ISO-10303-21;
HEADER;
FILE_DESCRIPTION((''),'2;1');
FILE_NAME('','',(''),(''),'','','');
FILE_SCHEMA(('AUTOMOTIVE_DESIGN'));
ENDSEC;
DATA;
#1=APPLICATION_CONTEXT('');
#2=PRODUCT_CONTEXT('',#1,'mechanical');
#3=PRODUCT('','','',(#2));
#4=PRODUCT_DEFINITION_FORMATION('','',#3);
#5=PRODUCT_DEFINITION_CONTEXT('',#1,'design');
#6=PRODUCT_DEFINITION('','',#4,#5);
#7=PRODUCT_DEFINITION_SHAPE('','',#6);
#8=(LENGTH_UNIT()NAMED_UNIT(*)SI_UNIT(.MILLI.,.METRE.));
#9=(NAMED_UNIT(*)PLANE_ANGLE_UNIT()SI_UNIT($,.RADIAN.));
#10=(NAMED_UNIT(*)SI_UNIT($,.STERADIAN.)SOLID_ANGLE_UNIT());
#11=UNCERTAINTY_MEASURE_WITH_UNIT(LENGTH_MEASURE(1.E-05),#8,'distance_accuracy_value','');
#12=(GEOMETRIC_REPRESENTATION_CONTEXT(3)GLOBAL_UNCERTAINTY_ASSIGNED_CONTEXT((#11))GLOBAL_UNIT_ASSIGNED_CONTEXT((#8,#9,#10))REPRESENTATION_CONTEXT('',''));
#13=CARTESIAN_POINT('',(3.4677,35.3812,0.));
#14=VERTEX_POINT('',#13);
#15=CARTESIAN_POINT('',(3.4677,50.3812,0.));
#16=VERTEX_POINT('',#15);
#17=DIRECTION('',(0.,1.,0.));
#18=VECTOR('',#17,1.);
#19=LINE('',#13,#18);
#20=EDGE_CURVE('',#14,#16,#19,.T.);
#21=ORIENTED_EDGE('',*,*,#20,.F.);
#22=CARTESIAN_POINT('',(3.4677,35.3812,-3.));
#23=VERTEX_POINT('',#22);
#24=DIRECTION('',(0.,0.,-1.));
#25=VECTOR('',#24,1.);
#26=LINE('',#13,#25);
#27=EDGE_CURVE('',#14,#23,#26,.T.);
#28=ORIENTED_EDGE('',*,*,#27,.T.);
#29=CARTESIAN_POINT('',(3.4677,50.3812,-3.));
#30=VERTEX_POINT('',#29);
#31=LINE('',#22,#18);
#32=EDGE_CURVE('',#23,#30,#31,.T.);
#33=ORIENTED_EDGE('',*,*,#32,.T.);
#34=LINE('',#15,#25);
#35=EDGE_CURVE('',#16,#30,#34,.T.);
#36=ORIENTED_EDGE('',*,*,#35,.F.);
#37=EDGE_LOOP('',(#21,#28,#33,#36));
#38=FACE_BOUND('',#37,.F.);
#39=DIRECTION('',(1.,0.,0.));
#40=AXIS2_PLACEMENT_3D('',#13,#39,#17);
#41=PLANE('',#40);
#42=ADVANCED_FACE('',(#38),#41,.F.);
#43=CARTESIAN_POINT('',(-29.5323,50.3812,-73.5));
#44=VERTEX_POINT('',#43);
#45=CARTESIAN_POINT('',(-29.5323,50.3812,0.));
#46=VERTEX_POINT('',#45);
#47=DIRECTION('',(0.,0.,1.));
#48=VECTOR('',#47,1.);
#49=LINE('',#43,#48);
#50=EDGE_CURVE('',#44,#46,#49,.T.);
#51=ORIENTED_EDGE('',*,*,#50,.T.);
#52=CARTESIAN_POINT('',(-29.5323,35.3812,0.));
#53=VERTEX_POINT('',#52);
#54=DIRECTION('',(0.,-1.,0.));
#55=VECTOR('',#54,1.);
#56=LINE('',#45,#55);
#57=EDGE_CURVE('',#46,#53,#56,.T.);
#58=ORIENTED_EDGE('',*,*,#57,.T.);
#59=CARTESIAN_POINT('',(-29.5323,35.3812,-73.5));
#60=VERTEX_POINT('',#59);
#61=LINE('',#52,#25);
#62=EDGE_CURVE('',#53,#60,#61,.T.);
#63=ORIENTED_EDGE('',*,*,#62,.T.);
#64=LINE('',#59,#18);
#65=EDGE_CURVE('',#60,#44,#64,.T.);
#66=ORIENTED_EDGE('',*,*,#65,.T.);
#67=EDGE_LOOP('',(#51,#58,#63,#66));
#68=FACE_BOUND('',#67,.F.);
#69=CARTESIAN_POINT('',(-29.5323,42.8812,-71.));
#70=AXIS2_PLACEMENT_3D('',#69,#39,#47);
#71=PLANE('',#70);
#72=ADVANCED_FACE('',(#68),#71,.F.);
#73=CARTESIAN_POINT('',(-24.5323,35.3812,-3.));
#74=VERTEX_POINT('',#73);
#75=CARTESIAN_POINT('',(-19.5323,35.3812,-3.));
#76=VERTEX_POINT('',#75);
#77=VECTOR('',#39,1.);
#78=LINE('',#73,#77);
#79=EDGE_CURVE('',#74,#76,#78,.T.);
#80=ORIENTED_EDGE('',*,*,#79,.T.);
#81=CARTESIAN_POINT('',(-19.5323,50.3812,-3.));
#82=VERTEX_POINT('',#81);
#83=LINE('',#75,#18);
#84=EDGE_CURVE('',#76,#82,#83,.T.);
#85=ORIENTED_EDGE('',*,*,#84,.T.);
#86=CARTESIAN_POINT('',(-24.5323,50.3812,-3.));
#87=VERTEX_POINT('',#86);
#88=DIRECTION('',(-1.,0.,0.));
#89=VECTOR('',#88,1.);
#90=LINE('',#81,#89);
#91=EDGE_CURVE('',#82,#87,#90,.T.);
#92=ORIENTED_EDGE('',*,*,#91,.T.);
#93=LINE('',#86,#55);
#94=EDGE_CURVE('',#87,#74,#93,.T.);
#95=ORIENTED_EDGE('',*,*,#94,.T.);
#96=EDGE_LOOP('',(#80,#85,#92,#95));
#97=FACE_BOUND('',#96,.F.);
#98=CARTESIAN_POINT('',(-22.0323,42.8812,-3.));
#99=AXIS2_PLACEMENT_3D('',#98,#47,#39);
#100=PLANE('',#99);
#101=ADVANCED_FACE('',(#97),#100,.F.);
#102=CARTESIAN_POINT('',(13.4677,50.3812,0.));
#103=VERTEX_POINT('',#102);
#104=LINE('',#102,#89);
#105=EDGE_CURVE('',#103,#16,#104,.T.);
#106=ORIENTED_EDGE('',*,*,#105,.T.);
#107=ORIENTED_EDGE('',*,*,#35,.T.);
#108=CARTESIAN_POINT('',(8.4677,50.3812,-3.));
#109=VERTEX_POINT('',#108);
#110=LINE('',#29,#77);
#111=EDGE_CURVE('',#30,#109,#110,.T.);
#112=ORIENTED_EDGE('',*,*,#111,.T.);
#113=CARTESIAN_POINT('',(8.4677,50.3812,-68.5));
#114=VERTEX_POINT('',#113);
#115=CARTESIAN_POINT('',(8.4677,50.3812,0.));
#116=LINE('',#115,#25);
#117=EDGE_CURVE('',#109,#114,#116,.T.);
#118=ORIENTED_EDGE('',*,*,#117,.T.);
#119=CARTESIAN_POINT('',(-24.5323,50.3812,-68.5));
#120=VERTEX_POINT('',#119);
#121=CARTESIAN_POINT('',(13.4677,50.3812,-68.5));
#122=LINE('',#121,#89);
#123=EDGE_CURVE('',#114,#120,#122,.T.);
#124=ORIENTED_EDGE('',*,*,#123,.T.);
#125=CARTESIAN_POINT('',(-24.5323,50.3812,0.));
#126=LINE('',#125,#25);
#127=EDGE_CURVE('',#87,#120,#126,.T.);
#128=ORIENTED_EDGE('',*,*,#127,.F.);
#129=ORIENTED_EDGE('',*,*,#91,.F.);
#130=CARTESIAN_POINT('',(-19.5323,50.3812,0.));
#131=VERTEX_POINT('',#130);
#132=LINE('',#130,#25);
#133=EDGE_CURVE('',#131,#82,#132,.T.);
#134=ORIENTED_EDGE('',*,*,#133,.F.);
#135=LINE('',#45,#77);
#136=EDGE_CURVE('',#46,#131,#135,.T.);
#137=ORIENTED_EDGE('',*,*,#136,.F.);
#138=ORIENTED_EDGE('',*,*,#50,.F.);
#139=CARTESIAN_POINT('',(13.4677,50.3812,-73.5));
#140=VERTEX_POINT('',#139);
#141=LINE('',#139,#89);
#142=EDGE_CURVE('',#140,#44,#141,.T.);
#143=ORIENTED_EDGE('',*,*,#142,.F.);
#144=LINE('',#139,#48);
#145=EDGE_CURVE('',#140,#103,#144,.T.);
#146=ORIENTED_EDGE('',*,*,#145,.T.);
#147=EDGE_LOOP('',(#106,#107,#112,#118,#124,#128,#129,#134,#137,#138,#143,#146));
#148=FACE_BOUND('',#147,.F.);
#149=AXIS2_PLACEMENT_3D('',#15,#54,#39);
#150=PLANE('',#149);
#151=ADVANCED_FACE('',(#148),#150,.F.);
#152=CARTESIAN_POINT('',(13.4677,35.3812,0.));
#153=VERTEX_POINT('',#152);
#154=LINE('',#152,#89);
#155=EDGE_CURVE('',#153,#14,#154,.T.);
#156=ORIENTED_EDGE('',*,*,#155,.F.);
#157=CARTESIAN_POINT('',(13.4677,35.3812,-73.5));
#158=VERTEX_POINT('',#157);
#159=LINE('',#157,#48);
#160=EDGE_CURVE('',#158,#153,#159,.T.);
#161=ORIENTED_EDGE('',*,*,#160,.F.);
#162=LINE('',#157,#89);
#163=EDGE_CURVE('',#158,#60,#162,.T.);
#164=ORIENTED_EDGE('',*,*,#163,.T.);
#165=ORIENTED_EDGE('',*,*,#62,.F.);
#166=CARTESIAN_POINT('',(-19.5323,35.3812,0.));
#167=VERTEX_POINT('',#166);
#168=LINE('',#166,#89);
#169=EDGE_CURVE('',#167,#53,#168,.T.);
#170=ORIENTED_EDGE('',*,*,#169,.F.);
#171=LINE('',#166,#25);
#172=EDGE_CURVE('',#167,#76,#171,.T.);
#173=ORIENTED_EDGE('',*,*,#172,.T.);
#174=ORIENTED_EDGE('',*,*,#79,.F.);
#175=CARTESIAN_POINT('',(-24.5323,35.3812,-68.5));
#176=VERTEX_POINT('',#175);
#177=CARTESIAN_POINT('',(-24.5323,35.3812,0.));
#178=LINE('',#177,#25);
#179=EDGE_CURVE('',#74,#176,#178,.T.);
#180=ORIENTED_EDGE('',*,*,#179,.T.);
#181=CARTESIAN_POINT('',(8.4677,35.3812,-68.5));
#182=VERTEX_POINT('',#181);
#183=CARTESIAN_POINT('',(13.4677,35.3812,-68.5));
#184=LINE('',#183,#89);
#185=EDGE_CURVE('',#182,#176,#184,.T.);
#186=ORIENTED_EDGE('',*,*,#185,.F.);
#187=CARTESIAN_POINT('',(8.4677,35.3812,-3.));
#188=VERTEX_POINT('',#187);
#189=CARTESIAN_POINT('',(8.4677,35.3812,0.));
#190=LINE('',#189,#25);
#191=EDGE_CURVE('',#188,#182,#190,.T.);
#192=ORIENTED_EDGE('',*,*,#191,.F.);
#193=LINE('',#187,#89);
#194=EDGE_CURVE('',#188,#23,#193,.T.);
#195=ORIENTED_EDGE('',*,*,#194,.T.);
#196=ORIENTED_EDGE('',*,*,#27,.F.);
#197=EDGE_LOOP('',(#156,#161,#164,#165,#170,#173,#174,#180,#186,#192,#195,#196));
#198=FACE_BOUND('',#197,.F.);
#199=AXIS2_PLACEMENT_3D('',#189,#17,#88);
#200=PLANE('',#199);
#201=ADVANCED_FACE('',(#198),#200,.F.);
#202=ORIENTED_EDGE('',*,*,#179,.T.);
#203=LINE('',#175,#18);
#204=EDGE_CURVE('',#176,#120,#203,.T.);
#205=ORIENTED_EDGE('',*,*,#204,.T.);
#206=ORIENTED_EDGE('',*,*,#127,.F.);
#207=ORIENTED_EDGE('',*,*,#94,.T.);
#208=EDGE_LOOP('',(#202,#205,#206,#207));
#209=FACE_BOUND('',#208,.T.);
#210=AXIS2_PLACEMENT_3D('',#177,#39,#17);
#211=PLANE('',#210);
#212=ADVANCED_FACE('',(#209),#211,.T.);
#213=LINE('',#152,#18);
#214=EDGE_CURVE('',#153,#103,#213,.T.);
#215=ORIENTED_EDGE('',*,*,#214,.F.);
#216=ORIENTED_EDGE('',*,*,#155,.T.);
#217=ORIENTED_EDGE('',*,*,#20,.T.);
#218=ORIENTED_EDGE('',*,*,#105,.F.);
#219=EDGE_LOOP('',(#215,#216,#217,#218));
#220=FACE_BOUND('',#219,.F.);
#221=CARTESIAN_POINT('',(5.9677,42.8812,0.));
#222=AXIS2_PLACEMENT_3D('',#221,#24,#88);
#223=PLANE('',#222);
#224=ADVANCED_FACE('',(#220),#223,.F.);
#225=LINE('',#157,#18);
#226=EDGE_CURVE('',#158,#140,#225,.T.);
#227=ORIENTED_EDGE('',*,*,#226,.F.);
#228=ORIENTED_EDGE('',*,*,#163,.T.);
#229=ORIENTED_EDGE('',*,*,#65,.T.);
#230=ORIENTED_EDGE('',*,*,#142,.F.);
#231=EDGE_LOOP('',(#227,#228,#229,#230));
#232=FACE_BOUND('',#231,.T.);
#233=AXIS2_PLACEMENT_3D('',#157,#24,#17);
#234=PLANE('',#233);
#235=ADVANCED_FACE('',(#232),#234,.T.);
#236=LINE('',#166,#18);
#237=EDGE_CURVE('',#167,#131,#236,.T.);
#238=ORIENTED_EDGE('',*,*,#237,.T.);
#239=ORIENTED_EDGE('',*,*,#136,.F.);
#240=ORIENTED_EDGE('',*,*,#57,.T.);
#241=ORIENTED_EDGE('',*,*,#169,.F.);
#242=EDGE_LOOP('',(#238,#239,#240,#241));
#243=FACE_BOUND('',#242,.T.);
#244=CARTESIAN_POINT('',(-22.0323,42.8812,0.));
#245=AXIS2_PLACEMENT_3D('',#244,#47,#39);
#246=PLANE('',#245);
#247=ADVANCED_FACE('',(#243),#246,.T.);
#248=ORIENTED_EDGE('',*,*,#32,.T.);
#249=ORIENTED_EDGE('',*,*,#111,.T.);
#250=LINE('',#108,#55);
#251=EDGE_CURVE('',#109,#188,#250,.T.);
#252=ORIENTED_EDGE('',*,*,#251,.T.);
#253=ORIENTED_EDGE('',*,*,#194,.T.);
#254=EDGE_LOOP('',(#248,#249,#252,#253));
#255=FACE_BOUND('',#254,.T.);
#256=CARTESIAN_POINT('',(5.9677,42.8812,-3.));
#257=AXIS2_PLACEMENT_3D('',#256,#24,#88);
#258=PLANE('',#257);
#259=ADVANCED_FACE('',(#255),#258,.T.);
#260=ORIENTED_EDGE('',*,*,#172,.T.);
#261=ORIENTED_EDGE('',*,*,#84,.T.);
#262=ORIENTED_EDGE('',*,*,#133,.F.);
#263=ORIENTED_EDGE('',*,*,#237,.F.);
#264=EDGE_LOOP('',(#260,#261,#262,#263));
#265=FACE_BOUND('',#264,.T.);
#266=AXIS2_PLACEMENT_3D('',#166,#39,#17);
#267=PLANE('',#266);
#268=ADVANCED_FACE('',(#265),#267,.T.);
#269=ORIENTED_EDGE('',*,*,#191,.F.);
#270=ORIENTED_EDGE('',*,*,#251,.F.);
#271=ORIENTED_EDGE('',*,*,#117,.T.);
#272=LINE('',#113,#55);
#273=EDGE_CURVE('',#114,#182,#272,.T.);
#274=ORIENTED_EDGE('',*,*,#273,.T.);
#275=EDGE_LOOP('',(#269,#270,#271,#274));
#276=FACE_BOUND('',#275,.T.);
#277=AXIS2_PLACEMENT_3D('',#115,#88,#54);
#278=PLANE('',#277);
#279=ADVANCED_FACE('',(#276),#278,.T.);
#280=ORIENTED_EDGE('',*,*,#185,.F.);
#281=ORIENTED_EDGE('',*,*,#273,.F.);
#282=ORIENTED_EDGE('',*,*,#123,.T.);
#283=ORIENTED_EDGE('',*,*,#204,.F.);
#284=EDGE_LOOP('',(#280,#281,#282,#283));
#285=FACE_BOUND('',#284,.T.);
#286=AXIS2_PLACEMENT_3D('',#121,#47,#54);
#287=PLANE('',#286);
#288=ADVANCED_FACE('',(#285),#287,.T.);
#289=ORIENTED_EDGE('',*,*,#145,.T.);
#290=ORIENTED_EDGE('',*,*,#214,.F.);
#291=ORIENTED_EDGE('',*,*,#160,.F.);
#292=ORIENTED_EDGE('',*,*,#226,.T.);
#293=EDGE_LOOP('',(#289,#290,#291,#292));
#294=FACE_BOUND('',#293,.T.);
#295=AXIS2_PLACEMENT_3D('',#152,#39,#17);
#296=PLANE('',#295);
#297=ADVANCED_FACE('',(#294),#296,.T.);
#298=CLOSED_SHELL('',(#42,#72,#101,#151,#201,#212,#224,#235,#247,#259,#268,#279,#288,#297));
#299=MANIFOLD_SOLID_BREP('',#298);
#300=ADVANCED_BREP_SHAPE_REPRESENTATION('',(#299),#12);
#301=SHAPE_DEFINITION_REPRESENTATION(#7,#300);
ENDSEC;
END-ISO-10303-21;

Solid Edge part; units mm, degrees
sketch "Sketch1" plane through (0, 0, 0) normal (0, 0, 1) x (1, 0, 0)
  line L0 (-19.5323, 35.3812) -> (-19.5323, 50.3812)
  line L1 (-19.5323, 50.3812) -> (-24.5323, 50.3812)
  line L2 (-24.5323, 50.3812) -> (-24.5323, 35.3812)
  line L3 (-24.5323, 35.3812) -> (-19.5323, 35.3812)
  line L4 (8.4677, 50.3812) -> (8.4677, 35.3812)
  line L5 (8.4677, 35.3812) -> (3.4677, 35.3812)
  line L6 (3.4677, 35.3812) -> (3.4677, 50.3812)
  line L7 (3.4677, 50.3812) -> (8.4677, 50.3812)
  dimension "D1" = 33
  dimension "D2" = 15
extrude "Protrusion1" add sketch "Sketch1" against normal blind 3
sketch "Sketch2" plane through (0, 0, 0) normal (0, 0, 1) x (1, 0, 0)
  line L0 (13.4677, 35.3812) -> (13.4677, 50.3812)
  line L1 (13.4677, 50.3812) -> (8.4677, 50.3812)
  line L2 (8.4677, 50.3812) -> (8.4677, 35.3812)
  line L3 (8.4677, 35.3812) -> (13.4677, 35.3812)
  line L4 (-29.5323, 35.3812) -> (-24.5323, 35.3812)
  line L5 (-24.5323, 35.3812) -> (-24.5323, 50.3812)
  line L6 (-24.5323, 50.3812) -> (-29.5323, 50.3812)
  line L7 (-29.5323, 50.3812) -> (-29.5323, 35.3812)
extrude "Protrusion2" add sketch "Sketch2" against normal blind 68.5
sketch "Sketch3" plane through (13.4677, 42.8812, -34.25) normal (1, 0, 0) x (0, -1, 0)
  line L0 (7.5, 34.25) -> (7.5, 39.25)
  line L1 (7.5, 39.25) -> (-7.5, 39.25)
  line L2 (-7.5, 39.25) -> (-7.5, 34.25)
  line L3 (-7.5, 34.25) -> (7.5, 34.25)
extrude "Protrusion3" add sketch "Sketch3" against normal blind 43
